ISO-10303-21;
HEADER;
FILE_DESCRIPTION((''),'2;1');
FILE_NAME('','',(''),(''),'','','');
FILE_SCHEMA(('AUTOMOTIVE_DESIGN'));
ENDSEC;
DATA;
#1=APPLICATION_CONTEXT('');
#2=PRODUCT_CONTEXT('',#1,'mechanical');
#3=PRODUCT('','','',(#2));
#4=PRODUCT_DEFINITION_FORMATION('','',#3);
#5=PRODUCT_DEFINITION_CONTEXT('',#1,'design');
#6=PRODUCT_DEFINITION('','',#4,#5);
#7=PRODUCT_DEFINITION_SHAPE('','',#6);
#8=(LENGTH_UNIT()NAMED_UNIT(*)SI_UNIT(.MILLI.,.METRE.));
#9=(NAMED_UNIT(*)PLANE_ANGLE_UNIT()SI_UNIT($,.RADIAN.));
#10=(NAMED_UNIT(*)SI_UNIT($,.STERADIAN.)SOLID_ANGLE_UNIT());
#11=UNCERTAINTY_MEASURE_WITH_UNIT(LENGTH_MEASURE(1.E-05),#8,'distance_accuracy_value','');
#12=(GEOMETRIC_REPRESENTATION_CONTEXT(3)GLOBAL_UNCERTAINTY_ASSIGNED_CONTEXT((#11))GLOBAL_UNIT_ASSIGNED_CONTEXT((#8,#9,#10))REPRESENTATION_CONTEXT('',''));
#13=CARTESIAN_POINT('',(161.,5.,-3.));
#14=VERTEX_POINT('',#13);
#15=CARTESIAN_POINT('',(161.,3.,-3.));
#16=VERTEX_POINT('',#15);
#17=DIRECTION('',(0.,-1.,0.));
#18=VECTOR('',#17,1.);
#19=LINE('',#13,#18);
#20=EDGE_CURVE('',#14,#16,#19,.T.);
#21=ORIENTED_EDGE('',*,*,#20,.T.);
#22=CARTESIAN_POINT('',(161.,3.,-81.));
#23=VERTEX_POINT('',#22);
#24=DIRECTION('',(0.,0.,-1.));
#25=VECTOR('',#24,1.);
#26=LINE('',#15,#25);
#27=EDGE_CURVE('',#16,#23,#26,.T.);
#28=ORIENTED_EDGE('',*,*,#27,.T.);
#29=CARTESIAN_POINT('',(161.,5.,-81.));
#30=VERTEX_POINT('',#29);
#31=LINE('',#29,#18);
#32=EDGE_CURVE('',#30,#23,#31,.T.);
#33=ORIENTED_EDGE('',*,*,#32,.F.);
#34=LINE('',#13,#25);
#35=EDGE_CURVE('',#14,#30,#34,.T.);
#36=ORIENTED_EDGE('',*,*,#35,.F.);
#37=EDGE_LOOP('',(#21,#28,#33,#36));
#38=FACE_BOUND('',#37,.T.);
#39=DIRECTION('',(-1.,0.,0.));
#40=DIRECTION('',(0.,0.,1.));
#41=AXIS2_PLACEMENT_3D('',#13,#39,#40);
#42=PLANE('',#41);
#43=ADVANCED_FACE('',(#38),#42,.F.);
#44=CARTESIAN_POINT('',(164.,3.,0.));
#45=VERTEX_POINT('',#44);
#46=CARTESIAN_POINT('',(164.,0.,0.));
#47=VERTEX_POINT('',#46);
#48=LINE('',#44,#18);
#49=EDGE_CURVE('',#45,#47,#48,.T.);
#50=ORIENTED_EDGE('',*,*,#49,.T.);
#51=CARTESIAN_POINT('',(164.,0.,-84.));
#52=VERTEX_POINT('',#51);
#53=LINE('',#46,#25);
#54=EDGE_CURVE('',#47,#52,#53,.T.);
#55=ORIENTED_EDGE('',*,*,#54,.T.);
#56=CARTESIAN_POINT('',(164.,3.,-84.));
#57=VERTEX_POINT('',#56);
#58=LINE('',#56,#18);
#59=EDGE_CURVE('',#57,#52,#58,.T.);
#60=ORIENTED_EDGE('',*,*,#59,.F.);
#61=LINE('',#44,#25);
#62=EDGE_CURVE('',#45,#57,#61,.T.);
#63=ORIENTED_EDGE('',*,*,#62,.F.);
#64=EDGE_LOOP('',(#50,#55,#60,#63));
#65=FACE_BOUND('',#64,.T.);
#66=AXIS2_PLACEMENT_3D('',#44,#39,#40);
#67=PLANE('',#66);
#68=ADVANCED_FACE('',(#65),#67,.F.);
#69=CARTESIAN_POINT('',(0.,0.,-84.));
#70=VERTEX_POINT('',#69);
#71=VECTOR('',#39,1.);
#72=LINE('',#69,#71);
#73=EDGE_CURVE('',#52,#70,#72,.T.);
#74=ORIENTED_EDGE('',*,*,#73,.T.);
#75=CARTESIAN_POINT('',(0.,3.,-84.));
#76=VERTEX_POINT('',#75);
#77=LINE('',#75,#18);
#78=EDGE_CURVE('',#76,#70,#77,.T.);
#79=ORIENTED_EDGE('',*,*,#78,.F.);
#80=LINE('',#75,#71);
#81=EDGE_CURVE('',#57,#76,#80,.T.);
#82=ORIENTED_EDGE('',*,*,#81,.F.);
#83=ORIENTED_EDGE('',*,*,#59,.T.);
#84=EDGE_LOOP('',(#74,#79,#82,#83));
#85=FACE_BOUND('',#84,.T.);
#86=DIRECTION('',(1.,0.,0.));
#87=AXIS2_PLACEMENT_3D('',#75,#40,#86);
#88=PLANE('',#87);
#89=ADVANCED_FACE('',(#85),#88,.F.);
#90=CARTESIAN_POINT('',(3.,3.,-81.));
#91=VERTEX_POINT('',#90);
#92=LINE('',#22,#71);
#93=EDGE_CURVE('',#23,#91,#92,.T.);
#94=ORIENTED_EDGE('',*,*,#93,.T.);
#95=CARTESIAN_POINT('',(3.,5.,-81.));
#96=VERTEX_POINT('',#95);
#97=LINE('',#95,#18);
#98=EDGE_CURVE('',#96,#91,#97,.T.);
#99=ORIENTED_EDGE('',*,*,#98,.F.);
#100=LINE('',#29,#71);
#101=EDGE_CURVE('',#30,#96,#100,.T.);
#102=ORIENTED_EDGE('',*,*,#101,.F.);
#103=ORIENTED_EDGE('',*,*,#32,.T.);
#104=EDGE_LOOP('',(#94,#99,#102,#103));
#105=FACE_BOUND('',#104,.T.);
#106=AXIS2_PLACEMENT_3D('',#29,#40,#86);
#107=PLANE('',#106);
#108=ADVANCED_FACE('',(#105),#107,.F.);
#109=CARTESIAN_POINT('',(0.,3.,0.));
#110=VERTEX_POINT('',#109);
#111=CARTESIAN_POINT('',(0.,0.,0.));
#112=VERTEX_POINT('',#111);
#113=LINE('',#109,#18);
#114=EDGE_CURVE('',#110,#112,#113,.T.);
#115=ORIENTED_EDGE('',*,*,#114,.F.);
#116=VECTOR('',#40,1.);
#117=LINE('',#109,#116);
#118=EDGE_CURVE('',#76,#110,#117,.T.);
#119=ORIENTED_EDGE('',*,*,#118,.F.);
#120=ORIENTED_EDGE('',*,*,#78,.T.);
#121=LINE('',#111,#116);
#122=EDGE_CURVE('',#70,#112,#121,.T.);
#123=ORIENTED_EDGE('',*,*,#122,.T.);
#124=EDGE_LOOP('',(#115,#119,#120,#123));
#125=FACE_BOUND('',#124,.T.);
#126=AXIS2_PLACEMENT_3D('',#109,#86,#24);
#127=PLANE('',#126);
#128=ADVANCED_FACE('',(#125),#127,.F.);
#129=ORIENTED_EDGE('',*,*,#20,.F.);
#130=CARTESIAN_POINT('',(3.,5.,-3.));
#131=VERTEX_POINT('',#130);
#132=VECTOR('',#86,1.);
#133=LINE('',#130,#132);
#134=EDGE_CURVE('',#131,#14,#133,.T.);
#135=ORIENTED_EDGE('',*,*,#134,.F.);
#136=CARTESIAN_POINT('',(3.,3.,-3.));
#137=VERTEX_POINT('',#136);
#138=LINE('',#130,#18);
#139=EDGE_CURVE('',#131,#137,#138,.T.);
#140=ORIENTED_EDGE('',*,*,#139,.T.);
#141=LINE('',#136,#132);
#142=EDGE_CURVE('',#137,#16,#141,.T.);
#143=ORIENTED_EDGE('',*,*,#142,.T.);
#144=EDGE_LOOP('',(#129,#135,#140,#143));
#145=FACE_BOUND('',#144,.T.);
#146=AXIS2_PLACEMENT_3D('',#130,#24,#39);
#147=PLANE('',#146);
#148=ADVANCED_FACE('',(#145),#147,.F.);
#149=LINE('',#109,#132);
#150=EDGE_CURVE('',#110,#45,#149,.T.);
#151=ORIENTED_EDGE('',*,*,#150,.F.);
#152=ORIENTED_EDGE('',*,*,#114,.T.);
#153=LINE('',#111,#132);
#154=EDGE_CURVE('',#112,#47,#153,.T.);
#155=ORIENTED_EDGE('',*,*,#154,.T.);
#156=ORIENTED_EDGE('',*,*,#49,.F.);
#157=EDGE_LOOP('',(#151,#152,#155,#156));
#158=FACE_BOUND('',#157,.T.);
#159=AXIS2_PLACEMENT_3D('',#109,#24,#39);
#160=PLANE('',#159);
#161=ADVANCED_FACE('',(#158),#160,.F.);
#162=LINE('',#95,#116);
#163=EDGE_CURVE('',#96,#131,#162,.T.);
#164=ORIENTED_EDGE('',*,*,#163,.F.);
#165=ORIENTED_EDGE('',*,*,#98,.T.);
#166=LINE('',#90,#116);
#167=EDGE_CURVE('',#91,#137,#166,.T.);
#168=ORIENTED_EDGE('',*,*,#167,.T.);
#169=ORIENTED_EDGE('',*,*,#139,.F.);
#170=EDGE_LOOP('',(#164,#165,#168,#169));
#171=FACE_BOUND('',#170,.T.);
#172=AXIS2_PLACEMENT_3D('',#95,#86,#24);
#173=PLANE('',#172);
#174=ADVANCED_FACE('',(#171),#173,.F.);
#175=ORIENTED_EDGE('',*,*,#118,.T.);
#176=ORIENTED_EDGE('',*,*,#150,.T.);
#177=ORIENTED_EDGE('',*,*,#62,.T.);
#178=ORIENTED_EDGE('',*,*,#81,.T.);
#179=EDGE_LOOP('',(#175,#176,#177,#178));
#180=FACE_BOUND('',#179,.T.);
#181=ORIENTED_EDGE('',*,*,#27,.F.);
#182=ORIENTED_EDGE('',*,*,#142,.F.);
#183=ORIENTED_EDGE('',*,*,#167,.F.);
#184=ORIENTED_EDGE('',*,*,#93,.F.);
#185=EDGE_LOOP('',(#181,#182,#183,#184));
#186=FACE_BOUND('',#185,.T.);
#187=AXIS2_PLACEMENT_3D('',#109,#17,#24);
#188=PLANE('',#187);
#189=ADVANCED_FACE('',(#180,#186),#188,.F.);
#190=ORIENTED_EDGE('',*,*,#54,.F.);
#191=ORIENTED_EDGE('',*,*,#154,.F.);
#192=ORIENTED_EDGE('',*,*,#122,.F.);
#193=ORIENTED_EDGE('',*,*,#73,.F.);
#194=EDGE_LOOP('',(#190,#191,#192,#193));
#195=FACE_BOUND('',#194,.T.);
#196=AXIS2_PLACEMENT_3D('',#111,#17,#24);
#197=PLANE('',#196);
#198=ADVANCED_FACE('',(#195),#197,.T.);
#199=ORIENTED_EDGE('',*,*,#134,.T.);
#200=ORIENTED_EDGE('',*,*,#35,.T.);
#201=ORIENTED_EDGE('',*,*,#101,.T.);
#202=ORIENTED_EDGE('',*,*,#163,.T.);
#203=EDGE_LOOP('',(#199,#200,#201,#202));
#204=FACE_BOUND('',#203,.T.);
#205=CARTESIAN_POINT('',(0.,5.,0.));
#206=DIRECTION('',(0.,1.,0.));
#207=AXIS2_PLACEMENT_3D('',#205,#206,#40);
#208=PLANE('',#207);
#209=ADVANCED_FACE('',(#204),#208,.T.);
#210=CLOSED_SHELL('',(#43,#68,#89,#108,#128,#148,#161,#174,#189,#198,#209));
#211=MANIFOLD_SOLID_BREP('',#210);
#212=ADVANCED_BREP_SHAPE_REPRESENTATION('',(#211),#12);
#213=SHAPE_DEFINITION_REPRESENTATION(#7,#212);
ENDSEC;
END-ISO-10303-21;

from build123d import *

# Parameters (mm, degrees)
SKETCH1_W           = 164
SKETCH1_H           = 84
BOSS_EXTRUDE1_DEPTH = 3
SKETCH2_W           = 158
SKETCH2_H           = 78
BOSS_EXTRUDE2_DEPTH = 2


with BuildPart() as part:
    # Sketch1 → Boss-Extrude1 (new body)
    with BuildSketch(Plane(origin=(0, 0, 0), x_dir=(1, 0, 0), z_dir=(0, 1, 0))):
        with Locations((82, 42)):
            Rectangle(SKETCH1_W, SKETCH1_H)
    extrude(amount=BOSS_EXTRUDE1_DEPTH)

    # Sketch2 → Boss-Extrude2 (add)
    with BuildSketch(Plane(origin=(0, 3, 0), x_dir=(1, 0, 0), z_dir=(0, 1, 0))):
        with Locations((82, 42)):
            Rectangle(SKETCH2_W, SKETCH2_H)
    extrude(amount=BOSS_EXTRUDE2_DEPTH)


solid = part.part
